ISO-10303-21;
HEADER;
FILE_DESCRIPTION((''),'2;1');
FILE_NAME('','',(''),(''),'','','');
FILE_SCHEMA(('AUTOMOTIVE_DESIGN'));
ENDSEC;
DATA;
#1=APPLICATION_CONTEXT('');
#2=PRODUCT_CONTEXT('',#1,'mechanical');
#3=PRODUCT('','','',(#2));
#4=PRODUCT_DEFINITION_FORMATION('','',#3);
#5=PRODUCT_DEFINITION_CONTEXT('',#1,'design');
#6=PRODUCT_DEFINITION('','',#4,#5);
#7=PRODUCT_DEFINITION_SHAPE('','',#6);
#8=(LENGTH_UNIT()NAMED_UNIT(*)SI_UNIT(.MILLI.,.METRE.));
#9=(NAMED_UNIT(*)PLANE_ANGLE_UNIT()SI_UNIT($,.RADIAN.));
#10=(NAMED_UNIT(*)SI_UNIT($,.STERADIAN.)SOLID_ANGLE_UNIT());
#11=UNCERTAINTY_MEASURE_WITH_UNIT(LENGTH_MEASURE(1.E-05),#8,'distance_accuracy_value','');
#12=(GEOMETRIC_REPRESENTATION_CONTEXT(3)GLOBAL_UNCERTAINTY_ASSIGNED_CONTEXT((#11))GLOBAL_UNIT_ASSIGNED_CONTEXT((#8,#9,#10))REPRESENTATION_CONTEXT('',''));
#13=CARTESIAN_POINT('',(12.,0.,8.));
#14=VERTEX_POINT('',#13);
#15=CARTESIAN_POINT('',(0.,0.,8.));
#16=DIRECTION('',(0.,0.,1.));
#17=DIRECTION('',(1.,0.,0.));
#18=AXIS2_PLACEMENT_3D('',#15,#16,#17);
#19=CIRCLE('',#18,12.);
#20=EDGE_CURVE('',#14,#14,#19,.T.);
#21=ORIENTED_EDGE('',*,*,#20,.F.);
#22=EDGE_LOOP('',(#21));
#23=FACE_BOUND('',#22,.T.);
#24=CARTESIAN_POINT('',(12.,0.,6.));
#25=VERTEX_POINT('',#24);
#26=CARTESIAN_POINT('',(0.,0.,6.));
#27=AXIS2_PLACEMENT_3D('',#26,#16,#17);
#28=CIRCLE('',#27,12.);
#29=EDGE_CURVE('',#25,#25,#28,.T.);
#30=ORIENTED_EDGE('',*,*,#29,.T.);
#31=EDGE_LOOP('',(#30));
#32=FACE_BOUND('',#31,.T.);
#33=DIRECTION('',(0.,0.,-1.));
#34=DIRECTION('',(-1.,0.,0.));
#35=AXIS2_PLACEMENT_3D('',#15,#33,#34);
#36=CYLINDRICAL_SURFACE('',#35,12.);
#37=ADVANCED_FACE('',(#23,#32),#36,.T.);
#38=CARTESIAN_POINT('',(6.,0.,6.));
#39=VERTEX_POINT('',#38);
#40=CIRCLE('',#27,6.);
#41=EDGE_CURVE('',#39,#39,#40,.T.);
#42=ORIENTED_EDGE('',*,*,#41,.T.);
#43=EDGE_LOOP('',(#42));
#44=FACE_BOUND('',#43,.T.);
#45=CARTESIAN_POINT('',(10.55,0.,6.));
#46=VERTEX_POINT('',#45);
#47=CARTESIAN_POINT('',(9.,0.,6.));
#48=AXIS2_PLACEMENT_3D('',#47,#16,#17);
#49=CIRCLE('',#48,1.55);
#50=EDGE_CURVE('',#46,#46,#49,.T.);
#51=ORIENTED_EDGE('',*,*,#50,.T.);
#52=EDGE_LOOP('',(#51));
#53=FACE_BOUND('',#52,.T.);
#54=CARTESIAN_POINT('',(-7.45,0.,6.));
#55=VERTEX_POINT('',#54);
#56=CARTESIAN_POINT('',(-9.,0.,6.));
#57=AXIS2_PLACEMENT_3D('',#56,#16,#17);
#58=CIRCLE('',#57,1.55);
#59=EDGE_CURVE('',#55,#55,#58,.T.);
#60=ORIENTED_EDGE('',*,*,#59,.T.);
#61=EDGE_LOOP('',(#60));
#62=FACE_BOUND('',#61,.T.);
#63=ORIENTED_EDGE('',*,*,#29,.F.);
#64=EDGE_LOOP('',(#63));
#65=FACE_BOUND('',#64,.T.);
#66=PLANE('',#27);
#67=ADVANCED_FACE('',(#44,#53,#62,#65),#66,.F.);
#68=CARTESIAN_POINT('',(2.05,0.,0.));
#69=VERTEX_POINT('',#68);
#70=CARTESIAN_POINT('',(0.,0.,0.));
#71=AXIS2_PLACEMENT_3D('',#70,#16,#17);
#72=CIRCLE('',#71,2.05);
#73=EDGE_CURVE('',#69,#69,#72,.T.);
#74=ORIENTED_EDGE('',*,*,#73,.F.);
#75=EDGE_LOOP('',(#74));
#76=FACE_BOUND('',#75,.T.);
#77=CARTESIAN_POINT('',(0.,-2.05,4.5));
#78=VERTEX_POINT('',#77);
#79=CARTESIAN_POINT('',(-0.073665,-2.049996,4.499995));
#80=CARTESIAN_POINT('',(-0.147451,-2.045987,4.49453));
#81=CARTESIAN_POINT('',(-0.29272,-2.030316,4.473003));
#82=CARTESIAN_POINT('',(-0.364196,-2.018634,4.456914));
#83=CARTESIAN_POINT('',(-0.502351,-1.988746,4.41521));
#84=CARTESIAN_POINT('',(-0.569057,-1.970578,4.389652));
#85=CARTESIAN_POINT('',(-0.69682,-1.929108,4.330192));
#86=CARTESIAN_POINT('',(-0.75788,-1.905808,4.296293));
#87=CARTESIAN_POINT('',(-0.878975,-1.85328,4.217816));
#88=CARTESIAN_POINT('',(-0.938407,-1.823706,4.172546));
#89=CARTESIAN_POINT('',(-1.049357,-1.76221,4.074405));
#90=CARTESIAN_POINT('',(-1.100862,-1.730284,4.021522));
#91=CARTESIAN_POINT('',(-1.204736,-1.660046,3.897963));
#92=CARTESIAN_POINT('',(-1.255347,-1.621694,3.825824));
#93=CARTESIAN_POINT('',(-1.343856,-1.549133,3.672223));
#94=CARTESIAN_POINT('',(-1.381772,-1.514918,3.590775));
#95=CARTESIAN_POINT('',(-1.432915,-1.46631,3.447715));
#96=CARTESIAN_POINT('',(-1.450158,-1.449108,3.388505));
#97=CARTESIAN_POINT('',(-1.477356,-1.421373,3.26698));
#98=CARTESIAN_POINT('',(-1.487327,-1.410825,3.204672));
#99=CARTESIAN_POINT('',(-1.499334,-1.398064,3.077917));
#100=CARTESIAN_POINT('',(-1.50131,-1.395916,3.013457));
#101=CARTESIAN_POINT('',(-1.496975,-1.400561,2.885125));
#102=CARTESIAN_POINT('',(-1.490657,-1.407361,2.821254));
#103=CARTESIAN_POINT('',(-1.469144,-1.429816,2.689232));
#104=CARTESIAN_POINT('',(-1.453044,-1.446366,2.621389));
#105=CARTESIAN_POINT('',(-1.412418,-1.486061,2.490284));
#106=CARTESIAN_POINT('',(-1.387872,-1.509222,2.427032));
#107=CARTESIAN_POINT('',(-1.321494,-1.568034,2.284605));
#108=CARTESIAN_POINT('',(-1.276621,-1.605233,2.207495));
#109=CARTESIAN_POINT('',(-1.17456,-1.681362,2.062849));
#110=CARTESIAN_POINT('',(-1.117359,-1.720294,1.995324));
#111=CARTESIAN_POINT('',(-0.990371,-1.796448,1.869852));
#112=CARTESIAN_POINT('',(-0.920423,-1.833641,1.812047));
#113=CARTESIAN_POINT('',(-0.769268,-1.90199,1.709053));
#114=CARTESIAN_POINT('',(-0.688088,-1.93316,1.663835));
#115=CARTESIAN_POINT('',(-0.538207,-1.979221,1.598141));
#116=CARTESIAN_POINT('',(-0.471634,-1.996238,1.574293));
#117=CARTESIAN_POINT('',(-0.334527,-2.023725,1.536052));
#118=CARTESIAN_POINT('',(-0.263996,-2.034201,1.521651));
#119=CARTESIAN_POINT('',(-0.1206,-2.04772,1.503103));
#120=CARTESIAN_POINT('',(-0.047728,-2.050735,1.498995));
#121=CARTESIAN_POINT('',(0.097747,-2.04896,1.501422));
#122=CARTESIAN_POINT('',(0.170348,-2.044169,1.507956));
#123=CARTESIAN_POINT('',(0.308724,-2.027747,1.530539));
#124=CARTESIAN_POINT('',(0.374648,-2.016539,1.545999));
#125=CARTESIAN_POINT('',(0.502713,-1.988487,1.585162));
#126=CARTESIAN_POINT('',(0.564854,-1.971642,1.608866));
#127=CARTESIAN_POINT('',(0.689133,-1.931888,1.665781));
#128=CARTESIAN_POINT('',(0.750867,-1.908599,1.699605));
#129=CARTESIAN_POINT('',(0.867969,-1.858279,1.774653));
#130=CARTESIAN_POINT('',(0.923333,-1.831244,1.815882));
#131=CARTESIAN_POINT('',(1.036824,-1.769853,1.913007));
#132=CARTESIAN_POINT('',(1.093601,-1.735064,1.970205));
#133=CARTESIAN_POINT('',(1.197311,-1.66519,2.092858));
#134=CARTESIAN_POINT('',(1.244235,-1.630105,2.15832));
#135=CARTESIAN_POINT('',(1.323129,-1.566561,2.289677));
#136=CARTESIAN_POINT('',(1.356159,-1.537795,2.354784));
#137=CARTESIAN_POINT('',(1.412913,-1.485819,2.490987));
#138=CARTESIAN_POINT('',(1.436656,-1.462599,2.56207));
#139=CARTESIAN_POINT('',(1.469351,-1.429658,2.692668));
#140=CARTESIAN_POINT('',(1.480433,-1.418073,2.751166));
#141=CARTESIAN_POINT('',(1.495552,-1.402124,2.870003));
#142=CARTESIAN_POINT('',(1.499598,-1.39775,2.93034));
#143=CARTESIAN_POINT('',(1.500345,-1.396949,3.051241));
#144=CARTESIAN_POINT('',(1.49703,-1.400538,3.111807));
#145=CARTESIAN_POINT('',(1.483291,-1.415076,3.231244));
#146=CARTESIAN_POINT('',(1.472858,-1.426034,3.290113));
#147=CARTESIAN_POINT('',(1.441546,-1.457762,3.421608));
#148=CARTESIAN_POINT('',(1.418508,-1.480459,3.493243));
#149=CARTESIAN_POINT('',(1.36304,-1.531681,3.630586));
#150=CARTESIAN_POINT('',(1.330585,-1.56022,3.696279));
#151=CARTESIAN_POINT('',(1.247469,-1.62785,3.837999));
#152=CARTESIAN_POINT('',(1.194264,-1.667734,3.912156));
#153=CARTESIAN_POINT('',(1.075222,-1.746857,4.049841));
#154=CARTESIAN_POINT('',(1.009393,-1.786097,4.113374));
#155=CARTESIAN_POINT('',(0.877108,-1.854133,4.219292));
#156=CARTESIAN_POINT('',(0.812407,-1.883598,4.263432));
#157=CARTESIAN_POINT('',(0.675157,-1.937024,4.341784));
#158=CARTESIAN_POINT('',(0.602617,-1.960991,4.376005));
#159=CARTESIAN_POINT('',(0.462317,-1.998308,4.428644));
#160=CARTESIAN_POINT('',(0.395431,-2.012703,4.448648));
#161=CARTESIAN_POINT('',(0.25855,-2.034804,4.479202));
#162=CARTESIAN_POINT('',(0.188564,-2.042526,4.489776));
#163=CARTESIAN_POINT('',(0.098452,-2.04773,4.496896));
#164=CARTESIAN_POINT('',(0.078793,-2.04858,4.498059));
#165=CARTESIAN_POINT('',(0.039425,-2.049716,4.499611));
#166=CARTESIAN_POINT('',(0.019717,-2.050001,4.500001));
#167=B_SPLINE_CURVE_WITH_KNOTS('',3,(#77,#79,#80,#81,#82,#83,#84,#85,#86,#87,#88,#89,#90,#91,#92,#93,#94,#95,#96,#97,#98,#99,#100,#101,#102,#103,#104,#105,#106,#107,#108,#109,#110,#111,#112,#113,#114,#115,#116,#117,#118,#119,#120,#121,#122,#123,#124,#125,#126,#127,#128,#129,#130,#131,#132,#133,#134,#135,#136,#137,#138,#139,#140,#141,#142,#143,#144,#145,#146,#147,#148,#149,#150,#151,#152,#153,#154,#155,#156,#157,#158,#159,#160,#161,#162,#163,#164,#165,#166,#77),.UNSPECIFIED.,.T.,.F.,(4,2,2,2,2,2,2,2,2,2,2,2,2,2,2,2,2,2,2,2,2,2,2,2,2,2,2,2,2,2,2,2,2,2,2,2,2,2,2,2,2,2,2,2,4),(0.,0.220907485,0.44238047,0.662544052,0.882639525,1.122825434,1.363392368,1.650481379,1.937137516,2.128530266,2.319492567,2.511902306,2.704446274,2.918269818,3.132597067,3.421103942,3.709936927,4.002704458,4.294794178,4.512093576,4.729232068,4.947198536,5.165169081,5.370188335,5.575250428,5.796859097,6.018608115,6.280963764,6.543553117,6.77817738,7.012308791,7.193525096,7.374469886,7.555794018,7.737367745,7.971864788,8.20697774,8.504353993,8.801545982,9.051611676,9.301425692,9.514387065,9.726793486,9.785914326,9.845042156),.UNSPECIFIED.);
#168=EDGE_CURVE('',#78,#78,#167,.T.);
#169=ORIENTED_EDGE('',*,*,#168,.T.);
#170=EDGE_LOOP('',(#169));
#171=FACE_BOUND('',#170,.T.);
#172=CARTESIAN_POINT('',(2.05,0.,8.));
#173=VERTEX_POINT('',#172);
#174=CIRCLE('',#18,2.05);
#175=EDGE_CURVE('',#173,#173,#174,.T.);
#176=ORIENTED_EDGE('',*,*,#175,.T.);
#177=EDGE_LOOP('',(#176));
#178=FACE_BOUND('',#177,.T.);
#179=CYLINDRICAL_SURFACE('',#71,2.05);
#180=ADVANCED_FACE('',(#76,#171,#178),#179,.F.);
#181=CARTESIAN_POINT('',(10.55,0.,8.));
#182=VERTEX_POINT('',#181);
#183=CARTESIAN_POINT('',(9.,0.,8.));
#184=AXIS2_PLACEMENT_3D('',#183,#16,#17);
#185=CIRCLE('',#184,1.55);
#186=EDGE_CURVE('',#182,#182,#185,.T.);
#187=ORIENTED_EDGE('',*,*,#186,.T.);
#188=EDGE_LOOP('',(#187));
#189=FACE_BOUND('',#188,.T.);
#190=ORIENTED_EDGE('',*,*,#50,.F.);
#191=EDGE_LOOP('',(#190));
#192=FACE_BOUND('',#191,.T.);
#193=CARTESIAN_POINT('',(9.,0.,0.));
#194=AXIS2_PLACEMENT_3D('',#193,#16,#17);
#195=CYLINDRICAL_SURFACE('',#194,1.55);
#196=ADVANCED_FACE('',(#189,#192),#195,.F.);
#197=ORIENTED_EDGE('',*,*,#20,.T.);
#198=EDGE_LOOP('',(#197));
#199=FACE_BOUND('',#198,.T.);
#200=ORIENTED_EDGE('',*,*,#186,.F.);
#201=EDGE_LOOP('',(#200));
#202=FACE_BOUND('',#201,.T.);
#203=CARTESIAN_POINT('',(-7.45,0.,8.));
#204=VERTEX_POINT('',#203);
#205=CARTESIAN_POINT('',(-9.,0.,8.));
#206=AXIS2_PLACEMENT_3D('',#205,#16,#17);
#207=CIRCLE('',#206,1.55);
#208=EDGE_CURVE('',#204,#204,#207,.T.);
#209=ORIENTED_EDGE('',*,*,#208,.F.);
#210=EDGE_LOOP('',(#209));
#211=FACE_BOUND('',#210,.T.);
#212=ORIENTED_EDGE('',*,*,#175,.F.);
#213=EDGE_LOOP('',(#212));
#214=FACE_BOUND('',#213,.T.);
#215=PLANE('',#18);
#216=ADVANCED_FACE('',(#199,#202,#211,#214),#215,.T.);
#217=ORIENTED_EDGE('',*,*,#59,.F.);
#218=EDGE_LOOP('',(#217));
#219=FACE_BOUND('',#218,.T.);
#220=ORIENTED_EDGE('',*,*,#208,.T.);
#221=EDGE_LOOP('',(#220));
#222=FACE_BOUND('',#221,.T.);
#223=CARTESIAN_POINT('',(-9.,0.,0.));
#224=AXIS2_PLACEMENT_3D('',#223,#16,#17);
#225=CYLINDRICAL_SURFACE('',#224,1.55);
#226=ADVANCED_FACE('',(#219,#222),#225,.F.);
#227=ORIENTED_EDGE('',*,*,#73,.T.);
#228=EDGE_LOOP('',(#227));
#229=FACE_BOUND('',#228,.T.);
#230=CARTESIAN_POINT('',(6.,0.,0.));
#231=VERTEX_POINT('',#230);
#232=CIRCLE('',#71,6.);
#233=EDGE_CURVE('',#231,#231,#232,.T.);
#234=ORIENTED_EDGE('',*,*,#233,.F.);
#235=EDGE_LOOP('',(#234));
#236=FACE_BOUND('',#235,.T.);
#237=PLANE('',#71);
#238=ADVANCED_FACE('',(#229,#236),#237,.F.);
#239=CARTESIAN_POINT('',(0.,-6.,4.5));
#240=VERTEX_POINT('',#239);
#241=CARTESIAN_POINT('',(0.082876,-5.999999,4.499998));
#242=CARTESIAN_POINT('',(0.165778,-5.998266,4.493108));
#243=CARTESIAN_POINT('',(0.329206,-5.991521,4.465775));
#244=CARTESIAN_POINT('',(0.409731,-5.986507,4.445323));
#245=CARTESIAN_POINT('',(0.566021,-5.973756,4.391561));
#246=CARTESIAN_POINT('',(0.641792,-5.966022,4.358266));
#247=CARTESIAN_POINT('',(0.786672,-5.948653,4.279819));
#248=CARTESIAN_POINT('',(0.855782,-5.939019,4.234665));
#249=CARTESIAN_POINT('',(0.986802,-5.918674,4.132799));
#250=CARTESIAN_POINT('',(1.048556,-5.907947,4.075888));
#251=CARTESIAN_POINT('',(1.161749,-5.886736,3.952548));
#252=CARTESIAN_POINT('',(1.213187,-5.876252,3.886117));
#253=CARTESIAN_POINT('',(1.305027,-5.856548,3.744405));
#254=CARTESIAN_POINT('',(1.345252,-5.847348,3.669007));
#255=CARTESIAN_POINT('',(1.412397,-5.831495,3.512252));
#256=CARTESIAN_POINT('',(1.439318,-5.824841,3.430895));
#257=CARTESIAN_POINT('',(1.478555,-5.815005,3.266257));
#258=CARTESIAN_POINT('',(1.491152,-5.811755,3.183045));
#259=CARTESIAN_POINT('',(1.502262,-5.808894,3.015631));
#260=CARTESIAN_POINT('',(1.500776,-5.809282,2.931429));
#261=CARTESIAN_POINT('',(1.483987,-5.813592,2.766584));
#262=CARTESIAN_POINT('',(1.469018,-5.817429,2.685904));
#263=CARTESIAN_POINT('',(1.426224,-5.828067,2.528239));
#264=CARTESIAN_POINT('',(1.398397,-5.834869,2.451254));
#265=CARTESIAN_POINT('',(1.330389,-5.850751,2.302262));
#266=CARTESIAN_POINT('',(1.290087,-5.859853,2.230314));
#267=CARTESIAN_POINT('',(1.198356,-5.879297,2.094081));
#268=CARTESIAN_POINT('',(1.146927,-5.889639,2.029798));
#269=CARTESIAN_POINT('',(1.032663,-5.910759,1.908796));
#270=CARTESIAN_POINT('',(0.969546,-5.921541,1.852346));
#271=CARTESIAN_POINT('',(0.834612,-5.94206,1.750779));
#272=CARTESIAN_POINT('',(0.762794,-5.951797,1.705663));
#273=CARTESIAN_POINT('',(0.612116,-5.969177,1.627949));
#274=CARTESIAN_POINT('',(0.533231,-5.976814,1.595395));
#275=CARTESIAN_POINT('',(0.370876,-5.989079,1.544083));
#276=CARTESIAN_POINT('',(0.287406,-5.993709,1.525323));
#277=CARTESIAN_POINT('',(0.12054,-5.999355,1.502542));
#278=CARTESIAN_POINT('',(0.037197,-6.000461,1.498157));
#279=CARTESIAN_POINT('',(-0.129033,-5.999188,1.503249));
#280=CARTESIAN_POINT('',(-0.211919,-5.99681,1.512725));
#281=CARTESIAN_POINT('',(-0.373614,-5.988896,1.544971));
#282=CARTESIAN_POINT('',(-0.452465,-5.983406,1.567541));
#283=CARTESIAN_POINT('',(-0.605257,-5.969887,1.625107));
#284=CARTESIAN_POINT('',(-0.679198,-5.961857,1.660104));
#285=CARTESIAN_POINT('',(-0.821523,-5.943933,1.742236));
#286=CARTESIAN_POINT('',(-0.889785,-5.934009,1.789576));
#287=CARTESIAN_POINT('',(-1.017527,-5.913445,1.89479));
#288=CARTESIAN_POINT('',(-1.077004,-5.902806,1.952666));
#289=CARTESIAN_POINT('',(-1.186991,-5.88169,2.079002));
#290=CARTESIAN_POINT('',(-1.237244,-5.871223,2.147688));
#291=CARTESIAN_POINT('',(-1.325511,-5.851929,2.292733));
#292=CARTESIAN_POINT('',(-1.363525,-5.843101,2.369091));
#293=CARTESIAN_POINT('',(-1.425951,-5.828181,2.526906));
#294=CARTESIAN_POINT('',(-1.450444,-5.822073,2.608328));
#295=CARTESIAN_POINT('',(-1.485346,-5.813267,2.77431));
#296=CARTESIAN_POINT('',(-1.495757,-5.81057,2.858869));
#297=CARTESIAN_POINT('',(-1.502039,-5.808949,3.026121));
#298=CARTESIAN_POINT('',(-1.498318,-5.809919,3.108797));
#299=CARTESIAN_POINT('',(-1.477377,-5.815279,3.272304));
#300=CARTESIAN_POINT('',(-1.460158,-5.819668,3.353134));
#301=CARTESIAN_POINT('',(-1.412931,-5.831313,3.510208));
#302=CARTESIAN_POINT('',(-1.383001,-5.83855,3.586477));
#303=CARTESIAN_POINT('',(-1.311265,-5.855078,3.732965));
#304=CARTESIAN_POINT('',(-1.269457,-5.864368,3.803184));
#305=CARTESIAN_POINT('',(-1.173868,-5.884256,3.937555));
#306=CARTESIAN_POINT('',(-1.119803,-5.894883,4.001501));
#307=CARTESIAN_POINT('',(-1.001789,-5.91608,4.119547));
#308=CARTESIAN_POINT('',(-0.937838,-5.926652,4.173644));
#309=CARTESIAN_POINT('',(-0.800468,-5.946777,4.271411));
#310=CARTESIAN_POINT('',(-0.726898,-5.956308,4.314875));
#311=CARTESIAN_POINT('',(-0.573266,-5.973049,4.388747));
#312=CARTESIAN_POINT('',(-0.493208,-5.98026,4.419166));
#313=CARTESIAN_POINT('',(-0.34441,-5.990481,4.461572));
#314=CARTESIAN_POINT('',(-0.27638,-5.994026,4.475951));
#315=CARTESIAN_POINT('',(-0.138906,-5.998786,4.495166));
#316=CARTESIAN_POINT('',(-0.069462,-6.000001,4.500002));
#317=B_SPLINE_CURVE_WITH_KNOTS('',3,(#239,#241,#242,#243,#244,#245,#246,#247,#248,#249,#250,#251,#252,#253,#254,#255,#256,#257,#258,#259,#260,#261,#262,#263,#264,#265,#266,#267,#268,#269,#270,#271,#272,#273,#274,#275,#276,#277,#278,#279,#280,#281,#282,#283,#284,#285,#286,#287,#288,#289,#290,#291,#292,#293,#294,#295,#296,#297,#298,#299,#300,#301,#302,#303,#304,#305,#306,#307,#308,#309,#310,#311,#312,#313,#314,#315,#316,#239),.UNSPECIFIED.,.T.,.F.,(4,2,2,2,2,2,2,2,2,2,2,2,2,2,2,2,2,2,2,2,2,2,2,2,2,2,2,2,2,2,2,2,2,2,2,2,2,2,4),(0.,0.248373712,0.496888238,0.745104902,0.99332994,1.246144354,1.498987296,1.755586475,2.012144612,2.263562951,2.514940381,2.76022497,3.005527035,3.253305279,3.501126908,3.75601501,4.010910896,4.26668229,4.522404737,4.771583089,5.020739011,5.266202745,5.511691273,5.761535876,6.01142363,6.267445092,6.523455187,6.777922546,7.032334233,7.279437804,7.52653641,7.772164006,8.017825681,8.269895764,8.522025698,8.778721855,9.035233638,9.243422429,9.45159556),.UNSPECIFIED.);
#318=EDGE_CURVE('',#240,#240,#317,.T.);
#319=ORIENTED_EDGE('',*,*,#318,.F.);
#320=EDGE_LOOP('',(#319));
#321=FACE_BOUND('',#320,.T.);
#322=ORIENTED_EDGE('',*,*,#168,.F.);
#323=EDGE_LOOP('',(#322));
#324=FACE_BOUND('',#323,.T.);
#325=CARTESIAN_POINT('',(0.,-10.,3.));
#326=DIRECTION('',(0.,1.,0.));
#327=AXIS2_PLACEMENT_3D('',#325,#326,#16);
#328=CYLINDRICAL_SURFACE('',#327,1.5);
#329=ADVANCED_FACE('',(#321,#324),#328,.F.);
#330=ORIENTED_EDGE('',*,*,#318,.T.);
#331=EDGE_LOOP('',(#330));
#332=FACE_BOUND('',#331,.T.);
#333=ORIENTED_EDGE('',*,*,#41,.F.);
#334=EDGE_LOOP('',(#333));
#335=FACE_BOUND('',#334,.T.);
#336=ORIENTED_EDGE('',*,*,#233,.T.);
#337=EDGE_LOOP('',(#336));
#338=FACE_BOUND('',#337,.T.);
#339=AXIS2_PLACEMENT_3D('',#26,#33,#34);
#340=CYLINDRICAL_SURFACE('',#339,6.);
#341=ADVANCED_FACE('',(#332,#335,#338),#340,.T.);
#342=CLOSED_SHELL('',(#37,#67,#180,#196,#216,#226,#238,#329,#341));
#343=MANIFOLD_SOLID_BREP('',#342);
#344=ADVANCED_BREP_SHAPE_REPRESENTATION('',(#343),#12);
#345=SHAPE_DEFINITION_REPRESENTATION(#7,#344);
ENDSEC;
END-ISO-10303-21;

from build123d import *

# Parameters (mm, degrees)
ESQUISSE1_R             = 6
EXTRUSION1_DEPTH        = 6
ESQUISSE2_R             = 12
EXTRUSION2_DEPTH        = 2
ESQUISSE3_R             = 2.05
ENL_V_MAT_EXTRU_1_DEPTH = 9
ESQUISSE4_R             = 1.55
ENL_V_MAT_EXTRU_2_DEPTH = 9
ESQUISSE5_R             = 1.5
ENL_V_MAT_EXTRU_3_DEPTH = 10


with BuildPart() as part:
    # Esquisse1 → Extrusion1 (new body)
    with BuildSketch(Plane.XY):
        Circle(ESQUISSE1_R)
    extrude(amount=EXTRUSION1_DEPTH)

    # Esquisse2 → Extrusion2 (add)
    with BuildSketch(Plane.XY.offset(6)):
        Circle(ESQUISSE2_R)
    extrude(amount=EXTRUSION2_DEPTH)

    # Esquisse3 → Enl_v. mat.-Extru.1 (cut, through all)
    with BuildSketch(Plane.XY.offset(8)):
        Circle(ESQUISSE3_R)
    extrude(amount=-ENL_V_MAT_EXTRU_1_DEPTH, mode=Mode.SUBTRACT)

    # Esquisse4 → Enl_v. mat.-Extru.2 (cut, through all)
    with BuildSketch(Plane.XY.offset(8)):
        with Locations((-9, 0)):
            Circle(ESQUISSE4_R)
        with Locations((9, 0)):
            Circle(ESQUISSE4_R)
    extrude(amount=-ENL_V_MAT_EXTRU_2_DEPTH, mode=Mode.SUBTRACT)

    # Esquisse5 → Enl_v. mat.-Extru.3 (cut)
    with BuildSketch(Plane(origin=(0, 0, 0), x_dir=(1, 0, 0), z_dir=(0, 1, 0))):
        with Locations(Location((0, -3, 0), (0, 0, 270))):  # turned: the seam where the file's is
            Circle(ESQUISSE5_R)
    extrude(amount=-ENL_V_MAT_EXTRU_3_DEPTH, mode=Mode.SUBTRACT)


solid = part.part
